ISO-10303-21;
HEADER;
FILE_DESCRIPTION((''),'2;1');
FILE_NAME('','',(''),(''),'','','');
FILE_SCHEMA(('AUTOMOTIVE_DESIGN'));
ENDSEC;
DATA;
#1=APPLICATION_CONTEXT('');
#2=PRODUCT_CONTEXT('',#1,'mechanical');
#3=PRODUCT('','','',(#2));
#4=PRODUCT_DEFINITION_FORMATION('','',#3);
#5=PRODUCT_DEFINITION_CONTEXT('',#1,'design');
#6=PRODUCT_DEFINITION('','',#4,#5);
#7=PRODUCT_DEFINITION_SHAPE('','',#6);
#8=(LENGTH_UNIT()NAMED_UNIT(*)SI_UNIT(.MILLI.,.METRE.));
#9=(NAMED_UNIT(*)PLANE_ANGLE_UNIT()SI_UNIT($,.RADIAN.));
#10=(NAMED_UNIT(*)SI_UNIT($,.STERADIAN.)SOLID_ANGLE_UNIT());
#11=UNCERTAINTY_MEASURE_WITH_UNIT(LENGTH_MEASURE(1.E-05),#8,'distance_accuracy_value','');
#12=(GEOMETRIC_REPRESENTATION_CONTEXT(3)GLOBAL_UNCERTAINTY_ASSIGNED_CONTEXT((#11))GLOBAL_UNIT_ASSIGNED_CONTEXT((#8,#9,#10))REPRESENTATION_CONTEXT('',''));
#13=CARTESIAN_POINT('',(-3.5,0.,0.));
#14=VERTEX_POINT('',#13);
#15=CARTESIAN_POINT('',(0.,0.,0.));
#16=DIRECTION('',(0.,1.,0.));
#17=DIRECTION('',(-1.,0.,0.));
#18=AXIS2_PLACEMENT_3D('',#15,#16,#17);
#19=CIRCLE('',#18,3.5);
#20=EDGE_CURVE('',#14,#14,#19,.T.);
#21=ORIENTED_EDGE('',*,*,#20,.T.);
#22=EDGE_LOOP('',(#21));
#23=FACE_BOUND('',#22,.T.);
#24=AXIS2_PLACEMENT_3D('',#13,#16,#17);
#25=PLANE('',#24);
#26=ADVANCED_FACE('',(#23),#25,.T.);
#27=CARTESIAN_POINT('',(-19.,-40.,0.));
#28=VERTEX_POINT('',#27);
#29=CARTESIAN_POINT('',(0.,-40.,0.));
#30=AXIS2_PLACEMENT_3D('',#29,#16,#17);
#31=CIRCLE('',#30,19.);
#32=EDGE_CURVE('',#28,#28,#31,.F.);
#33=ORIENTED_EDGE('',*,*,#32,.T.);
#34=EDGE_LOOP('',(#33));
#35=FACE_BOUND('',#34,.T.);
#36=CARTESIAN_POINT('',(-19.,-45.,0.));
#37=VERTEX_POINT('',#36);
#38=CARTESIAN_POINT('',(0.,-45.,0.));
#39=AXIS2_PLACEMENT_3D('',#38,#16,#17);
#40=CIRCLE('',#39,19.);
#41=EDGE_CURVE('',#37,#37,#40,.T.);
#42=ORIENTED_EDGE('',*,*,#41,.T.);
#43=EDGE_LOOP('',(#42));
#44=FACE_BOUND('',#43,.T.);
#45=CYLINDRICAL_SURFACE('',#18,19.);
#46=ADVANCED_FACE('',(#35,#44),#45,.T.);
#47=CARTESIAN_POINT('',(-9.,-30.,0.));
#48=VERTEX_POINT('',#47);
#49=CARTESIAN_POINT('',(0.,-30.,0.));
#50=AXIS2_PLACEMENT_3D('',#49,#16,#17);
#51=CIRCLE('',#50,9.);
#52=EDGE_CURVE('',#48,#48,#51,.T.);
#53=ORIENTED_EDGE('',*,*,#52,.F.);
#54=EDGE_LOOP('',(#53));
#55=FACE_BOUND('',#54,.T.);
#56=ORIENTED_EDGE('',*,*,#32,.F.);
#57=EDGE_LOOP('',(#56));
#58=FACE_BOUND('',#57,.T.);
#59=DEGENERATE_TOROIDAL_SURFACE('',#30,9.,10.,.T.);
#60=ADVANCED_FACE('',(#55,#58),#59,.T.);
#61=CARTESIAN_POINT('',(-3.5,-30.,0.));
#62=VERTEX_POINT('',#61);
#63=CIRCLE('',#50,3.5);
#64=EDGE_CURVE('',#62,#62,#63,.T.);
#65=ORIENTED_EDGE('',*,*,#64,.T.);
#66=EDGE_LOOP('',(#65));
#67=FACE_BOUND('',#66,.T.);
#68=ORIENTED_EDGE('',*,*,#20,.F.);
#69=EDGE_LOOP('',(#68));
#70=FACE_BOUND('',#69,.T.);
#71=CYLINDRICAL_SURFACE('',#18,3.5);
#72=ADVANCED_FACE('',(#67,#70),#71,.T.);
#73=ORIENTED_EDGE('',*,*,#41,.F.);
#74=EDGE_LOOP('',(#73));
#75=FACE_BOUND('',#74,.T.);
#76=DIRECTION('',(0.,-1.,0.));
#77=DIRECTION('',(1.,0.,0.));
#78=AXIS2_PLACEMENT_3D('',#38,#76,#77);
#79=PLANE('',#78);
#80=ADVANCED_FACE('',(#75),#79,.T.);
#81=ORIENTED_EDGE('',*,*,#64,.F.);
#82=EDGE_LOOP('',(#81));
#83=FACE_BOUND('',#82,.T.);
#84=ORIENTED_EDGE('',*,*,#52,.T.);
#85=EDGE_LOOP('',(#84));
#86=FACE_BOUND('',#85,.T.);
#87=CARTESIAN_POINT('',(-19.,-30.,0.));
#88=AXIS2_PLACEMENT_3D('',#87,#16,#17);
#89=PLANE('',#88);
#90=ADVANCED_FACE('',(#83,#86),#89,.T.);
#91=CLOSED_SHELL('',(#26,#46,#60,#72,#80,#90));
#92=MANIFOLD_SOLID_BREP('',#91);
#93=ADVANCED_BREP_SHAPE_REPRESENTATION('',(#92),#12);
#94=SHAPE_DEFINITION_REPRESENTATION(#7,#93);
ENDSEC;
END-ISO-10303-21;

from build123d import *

# Parameters (mm, degrees)
CONG_1_R = 10


with BuildPart() as part:
    # Esquisse1 → Révolution1 (revolve)
    with BuildSketch(Plane.XY):
        Polygon((0, 0), (0, -45), (-19, -45), (-19, -30), (-3.5, -30), (-3.5, 0), align=None)
    revolve(axis=Axis((0, 0, 0), (0, -1, 0)))

    # Congé1
    cong_1_edges = [part.edges().sort_by_distance(p)[0] for p in [
        (19, -30, 0),
    ]]
    fillet(cong_1_edges, radius=CONG_1_R)


solid = part.part
